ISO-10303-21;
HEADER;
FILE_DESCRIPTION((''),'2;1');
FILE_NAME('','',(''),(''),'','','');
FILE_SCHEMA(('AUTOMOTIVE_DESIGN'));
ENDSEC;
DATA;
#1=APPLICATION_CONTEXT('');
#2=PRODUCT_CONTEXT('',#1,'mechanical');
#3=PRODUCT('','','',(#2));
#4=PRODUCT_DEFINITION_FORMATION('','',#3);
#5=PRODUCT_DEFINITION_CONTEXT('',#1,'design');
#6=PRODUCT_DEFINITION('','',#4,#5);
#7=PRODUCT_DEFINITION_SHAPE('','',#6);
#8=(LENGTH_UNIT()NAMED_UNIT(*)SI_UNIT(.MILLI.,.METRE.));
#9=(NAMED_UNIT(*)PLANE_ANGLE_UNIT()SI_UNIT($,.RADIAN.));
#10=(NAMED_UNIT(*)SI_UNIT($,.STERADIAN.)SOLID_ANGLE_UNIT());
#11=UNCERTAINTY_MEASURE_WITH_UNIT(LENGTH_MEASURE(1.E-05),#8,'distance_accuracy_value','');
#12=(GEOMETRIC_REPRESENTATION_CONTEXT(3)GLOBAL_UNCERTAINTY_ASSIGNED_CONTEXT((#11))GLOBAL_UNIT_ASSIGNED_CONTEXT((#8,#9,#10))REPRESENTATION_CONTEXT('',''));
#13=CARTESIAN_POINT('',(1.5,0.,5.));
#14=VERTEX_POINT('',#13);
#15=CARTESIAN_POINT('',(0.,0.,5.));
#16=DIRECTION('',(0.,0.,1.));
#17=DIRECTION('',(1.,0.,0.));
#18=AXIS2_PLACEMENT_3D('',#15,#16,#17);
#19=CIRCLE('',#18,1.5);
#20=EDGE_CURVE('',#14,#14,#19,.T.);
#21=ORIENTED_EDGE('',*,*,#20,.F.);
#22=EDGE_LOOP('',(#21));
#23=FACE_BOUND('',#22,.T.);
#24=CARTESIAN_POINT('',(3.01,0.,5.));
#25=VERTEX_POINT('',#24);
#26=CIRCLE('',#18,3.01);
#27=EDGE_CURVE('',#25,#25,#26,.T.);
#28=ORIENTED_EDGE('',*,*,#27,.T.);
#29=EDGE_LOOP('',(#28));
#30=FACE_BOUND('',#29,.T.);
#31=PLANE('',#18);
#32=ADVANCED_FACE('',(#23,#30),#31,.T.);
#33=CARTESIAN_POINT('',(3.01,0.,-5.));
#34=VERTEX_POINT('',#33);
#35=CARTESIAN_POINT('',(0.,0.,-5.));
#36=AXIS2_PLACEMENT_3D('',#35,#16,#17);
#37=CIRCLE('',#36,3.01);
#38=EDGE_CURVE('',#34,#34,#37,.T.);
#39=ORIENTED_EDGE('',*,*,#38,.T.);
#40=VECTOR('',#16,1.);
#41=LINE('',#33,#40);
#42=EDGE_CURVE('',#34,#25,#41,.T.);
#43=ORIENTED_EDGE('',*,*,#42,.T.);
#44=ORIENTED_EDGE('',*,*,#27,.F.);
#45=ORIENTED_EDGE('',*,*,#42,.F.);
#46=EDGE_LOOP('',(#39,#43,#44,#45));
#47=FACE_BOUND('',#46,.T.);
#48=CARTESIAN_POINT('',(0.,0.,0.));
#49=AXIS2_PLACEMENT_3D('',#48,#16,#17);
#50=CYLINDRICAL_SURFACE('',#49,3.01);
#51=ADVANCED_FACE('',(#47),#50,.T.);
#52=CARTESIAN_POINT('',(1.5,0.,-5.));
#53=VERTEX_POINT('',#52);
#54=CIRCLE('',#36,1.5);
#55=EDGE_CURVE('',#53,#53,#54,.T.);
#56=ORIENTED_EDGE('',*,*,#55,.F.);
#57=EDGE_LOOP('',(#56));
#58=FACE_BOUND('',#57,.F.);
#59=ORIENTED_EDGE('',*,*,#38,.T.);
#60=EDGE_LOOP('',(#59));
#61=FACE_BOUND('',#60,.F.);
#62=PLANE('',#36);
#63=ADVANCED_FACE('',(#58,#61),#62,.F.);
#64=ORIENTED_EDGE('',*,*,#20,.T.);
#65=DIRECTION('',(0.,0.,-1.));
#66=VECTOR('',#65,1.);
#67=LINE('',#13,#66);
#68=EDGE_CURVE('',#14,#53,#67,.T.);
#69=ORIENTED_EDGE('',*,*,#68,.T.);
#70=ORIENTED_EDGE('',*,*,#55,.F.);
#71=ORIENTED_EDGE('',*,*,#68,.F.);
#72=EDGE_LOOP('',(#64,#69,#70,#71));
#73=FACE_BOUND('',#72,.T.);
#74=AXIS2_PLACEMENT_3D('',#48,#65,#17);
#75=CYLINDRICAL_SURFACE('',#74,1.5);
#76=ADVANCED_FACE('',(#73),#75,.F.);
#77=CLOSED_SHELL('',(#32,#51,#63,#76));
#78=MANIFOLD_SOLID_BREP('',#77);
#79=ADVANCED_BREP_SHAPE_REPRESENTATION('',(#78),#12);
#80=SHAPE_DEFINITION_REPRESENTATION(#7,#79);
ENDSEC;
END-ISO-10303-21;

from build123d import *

# Parameters (mm, degrees)
SKETCH1_R      = 3.01
SKETCH1_R_2    = 1.5
EXTRUDE1_DEPTH = 5


with BuildPart() as part:
    # Sketch1 → Extrude1 (new body, symmetric)
    with BuildSketch(Plane.XY):
        Circle(SKETCH1_R)
        Circle(SKETCH1_R_2, mode=Mode.SUBTRACT)
    extrude(amount=EXTRUDE1_DEPTH, both=True)


solid = part.part
